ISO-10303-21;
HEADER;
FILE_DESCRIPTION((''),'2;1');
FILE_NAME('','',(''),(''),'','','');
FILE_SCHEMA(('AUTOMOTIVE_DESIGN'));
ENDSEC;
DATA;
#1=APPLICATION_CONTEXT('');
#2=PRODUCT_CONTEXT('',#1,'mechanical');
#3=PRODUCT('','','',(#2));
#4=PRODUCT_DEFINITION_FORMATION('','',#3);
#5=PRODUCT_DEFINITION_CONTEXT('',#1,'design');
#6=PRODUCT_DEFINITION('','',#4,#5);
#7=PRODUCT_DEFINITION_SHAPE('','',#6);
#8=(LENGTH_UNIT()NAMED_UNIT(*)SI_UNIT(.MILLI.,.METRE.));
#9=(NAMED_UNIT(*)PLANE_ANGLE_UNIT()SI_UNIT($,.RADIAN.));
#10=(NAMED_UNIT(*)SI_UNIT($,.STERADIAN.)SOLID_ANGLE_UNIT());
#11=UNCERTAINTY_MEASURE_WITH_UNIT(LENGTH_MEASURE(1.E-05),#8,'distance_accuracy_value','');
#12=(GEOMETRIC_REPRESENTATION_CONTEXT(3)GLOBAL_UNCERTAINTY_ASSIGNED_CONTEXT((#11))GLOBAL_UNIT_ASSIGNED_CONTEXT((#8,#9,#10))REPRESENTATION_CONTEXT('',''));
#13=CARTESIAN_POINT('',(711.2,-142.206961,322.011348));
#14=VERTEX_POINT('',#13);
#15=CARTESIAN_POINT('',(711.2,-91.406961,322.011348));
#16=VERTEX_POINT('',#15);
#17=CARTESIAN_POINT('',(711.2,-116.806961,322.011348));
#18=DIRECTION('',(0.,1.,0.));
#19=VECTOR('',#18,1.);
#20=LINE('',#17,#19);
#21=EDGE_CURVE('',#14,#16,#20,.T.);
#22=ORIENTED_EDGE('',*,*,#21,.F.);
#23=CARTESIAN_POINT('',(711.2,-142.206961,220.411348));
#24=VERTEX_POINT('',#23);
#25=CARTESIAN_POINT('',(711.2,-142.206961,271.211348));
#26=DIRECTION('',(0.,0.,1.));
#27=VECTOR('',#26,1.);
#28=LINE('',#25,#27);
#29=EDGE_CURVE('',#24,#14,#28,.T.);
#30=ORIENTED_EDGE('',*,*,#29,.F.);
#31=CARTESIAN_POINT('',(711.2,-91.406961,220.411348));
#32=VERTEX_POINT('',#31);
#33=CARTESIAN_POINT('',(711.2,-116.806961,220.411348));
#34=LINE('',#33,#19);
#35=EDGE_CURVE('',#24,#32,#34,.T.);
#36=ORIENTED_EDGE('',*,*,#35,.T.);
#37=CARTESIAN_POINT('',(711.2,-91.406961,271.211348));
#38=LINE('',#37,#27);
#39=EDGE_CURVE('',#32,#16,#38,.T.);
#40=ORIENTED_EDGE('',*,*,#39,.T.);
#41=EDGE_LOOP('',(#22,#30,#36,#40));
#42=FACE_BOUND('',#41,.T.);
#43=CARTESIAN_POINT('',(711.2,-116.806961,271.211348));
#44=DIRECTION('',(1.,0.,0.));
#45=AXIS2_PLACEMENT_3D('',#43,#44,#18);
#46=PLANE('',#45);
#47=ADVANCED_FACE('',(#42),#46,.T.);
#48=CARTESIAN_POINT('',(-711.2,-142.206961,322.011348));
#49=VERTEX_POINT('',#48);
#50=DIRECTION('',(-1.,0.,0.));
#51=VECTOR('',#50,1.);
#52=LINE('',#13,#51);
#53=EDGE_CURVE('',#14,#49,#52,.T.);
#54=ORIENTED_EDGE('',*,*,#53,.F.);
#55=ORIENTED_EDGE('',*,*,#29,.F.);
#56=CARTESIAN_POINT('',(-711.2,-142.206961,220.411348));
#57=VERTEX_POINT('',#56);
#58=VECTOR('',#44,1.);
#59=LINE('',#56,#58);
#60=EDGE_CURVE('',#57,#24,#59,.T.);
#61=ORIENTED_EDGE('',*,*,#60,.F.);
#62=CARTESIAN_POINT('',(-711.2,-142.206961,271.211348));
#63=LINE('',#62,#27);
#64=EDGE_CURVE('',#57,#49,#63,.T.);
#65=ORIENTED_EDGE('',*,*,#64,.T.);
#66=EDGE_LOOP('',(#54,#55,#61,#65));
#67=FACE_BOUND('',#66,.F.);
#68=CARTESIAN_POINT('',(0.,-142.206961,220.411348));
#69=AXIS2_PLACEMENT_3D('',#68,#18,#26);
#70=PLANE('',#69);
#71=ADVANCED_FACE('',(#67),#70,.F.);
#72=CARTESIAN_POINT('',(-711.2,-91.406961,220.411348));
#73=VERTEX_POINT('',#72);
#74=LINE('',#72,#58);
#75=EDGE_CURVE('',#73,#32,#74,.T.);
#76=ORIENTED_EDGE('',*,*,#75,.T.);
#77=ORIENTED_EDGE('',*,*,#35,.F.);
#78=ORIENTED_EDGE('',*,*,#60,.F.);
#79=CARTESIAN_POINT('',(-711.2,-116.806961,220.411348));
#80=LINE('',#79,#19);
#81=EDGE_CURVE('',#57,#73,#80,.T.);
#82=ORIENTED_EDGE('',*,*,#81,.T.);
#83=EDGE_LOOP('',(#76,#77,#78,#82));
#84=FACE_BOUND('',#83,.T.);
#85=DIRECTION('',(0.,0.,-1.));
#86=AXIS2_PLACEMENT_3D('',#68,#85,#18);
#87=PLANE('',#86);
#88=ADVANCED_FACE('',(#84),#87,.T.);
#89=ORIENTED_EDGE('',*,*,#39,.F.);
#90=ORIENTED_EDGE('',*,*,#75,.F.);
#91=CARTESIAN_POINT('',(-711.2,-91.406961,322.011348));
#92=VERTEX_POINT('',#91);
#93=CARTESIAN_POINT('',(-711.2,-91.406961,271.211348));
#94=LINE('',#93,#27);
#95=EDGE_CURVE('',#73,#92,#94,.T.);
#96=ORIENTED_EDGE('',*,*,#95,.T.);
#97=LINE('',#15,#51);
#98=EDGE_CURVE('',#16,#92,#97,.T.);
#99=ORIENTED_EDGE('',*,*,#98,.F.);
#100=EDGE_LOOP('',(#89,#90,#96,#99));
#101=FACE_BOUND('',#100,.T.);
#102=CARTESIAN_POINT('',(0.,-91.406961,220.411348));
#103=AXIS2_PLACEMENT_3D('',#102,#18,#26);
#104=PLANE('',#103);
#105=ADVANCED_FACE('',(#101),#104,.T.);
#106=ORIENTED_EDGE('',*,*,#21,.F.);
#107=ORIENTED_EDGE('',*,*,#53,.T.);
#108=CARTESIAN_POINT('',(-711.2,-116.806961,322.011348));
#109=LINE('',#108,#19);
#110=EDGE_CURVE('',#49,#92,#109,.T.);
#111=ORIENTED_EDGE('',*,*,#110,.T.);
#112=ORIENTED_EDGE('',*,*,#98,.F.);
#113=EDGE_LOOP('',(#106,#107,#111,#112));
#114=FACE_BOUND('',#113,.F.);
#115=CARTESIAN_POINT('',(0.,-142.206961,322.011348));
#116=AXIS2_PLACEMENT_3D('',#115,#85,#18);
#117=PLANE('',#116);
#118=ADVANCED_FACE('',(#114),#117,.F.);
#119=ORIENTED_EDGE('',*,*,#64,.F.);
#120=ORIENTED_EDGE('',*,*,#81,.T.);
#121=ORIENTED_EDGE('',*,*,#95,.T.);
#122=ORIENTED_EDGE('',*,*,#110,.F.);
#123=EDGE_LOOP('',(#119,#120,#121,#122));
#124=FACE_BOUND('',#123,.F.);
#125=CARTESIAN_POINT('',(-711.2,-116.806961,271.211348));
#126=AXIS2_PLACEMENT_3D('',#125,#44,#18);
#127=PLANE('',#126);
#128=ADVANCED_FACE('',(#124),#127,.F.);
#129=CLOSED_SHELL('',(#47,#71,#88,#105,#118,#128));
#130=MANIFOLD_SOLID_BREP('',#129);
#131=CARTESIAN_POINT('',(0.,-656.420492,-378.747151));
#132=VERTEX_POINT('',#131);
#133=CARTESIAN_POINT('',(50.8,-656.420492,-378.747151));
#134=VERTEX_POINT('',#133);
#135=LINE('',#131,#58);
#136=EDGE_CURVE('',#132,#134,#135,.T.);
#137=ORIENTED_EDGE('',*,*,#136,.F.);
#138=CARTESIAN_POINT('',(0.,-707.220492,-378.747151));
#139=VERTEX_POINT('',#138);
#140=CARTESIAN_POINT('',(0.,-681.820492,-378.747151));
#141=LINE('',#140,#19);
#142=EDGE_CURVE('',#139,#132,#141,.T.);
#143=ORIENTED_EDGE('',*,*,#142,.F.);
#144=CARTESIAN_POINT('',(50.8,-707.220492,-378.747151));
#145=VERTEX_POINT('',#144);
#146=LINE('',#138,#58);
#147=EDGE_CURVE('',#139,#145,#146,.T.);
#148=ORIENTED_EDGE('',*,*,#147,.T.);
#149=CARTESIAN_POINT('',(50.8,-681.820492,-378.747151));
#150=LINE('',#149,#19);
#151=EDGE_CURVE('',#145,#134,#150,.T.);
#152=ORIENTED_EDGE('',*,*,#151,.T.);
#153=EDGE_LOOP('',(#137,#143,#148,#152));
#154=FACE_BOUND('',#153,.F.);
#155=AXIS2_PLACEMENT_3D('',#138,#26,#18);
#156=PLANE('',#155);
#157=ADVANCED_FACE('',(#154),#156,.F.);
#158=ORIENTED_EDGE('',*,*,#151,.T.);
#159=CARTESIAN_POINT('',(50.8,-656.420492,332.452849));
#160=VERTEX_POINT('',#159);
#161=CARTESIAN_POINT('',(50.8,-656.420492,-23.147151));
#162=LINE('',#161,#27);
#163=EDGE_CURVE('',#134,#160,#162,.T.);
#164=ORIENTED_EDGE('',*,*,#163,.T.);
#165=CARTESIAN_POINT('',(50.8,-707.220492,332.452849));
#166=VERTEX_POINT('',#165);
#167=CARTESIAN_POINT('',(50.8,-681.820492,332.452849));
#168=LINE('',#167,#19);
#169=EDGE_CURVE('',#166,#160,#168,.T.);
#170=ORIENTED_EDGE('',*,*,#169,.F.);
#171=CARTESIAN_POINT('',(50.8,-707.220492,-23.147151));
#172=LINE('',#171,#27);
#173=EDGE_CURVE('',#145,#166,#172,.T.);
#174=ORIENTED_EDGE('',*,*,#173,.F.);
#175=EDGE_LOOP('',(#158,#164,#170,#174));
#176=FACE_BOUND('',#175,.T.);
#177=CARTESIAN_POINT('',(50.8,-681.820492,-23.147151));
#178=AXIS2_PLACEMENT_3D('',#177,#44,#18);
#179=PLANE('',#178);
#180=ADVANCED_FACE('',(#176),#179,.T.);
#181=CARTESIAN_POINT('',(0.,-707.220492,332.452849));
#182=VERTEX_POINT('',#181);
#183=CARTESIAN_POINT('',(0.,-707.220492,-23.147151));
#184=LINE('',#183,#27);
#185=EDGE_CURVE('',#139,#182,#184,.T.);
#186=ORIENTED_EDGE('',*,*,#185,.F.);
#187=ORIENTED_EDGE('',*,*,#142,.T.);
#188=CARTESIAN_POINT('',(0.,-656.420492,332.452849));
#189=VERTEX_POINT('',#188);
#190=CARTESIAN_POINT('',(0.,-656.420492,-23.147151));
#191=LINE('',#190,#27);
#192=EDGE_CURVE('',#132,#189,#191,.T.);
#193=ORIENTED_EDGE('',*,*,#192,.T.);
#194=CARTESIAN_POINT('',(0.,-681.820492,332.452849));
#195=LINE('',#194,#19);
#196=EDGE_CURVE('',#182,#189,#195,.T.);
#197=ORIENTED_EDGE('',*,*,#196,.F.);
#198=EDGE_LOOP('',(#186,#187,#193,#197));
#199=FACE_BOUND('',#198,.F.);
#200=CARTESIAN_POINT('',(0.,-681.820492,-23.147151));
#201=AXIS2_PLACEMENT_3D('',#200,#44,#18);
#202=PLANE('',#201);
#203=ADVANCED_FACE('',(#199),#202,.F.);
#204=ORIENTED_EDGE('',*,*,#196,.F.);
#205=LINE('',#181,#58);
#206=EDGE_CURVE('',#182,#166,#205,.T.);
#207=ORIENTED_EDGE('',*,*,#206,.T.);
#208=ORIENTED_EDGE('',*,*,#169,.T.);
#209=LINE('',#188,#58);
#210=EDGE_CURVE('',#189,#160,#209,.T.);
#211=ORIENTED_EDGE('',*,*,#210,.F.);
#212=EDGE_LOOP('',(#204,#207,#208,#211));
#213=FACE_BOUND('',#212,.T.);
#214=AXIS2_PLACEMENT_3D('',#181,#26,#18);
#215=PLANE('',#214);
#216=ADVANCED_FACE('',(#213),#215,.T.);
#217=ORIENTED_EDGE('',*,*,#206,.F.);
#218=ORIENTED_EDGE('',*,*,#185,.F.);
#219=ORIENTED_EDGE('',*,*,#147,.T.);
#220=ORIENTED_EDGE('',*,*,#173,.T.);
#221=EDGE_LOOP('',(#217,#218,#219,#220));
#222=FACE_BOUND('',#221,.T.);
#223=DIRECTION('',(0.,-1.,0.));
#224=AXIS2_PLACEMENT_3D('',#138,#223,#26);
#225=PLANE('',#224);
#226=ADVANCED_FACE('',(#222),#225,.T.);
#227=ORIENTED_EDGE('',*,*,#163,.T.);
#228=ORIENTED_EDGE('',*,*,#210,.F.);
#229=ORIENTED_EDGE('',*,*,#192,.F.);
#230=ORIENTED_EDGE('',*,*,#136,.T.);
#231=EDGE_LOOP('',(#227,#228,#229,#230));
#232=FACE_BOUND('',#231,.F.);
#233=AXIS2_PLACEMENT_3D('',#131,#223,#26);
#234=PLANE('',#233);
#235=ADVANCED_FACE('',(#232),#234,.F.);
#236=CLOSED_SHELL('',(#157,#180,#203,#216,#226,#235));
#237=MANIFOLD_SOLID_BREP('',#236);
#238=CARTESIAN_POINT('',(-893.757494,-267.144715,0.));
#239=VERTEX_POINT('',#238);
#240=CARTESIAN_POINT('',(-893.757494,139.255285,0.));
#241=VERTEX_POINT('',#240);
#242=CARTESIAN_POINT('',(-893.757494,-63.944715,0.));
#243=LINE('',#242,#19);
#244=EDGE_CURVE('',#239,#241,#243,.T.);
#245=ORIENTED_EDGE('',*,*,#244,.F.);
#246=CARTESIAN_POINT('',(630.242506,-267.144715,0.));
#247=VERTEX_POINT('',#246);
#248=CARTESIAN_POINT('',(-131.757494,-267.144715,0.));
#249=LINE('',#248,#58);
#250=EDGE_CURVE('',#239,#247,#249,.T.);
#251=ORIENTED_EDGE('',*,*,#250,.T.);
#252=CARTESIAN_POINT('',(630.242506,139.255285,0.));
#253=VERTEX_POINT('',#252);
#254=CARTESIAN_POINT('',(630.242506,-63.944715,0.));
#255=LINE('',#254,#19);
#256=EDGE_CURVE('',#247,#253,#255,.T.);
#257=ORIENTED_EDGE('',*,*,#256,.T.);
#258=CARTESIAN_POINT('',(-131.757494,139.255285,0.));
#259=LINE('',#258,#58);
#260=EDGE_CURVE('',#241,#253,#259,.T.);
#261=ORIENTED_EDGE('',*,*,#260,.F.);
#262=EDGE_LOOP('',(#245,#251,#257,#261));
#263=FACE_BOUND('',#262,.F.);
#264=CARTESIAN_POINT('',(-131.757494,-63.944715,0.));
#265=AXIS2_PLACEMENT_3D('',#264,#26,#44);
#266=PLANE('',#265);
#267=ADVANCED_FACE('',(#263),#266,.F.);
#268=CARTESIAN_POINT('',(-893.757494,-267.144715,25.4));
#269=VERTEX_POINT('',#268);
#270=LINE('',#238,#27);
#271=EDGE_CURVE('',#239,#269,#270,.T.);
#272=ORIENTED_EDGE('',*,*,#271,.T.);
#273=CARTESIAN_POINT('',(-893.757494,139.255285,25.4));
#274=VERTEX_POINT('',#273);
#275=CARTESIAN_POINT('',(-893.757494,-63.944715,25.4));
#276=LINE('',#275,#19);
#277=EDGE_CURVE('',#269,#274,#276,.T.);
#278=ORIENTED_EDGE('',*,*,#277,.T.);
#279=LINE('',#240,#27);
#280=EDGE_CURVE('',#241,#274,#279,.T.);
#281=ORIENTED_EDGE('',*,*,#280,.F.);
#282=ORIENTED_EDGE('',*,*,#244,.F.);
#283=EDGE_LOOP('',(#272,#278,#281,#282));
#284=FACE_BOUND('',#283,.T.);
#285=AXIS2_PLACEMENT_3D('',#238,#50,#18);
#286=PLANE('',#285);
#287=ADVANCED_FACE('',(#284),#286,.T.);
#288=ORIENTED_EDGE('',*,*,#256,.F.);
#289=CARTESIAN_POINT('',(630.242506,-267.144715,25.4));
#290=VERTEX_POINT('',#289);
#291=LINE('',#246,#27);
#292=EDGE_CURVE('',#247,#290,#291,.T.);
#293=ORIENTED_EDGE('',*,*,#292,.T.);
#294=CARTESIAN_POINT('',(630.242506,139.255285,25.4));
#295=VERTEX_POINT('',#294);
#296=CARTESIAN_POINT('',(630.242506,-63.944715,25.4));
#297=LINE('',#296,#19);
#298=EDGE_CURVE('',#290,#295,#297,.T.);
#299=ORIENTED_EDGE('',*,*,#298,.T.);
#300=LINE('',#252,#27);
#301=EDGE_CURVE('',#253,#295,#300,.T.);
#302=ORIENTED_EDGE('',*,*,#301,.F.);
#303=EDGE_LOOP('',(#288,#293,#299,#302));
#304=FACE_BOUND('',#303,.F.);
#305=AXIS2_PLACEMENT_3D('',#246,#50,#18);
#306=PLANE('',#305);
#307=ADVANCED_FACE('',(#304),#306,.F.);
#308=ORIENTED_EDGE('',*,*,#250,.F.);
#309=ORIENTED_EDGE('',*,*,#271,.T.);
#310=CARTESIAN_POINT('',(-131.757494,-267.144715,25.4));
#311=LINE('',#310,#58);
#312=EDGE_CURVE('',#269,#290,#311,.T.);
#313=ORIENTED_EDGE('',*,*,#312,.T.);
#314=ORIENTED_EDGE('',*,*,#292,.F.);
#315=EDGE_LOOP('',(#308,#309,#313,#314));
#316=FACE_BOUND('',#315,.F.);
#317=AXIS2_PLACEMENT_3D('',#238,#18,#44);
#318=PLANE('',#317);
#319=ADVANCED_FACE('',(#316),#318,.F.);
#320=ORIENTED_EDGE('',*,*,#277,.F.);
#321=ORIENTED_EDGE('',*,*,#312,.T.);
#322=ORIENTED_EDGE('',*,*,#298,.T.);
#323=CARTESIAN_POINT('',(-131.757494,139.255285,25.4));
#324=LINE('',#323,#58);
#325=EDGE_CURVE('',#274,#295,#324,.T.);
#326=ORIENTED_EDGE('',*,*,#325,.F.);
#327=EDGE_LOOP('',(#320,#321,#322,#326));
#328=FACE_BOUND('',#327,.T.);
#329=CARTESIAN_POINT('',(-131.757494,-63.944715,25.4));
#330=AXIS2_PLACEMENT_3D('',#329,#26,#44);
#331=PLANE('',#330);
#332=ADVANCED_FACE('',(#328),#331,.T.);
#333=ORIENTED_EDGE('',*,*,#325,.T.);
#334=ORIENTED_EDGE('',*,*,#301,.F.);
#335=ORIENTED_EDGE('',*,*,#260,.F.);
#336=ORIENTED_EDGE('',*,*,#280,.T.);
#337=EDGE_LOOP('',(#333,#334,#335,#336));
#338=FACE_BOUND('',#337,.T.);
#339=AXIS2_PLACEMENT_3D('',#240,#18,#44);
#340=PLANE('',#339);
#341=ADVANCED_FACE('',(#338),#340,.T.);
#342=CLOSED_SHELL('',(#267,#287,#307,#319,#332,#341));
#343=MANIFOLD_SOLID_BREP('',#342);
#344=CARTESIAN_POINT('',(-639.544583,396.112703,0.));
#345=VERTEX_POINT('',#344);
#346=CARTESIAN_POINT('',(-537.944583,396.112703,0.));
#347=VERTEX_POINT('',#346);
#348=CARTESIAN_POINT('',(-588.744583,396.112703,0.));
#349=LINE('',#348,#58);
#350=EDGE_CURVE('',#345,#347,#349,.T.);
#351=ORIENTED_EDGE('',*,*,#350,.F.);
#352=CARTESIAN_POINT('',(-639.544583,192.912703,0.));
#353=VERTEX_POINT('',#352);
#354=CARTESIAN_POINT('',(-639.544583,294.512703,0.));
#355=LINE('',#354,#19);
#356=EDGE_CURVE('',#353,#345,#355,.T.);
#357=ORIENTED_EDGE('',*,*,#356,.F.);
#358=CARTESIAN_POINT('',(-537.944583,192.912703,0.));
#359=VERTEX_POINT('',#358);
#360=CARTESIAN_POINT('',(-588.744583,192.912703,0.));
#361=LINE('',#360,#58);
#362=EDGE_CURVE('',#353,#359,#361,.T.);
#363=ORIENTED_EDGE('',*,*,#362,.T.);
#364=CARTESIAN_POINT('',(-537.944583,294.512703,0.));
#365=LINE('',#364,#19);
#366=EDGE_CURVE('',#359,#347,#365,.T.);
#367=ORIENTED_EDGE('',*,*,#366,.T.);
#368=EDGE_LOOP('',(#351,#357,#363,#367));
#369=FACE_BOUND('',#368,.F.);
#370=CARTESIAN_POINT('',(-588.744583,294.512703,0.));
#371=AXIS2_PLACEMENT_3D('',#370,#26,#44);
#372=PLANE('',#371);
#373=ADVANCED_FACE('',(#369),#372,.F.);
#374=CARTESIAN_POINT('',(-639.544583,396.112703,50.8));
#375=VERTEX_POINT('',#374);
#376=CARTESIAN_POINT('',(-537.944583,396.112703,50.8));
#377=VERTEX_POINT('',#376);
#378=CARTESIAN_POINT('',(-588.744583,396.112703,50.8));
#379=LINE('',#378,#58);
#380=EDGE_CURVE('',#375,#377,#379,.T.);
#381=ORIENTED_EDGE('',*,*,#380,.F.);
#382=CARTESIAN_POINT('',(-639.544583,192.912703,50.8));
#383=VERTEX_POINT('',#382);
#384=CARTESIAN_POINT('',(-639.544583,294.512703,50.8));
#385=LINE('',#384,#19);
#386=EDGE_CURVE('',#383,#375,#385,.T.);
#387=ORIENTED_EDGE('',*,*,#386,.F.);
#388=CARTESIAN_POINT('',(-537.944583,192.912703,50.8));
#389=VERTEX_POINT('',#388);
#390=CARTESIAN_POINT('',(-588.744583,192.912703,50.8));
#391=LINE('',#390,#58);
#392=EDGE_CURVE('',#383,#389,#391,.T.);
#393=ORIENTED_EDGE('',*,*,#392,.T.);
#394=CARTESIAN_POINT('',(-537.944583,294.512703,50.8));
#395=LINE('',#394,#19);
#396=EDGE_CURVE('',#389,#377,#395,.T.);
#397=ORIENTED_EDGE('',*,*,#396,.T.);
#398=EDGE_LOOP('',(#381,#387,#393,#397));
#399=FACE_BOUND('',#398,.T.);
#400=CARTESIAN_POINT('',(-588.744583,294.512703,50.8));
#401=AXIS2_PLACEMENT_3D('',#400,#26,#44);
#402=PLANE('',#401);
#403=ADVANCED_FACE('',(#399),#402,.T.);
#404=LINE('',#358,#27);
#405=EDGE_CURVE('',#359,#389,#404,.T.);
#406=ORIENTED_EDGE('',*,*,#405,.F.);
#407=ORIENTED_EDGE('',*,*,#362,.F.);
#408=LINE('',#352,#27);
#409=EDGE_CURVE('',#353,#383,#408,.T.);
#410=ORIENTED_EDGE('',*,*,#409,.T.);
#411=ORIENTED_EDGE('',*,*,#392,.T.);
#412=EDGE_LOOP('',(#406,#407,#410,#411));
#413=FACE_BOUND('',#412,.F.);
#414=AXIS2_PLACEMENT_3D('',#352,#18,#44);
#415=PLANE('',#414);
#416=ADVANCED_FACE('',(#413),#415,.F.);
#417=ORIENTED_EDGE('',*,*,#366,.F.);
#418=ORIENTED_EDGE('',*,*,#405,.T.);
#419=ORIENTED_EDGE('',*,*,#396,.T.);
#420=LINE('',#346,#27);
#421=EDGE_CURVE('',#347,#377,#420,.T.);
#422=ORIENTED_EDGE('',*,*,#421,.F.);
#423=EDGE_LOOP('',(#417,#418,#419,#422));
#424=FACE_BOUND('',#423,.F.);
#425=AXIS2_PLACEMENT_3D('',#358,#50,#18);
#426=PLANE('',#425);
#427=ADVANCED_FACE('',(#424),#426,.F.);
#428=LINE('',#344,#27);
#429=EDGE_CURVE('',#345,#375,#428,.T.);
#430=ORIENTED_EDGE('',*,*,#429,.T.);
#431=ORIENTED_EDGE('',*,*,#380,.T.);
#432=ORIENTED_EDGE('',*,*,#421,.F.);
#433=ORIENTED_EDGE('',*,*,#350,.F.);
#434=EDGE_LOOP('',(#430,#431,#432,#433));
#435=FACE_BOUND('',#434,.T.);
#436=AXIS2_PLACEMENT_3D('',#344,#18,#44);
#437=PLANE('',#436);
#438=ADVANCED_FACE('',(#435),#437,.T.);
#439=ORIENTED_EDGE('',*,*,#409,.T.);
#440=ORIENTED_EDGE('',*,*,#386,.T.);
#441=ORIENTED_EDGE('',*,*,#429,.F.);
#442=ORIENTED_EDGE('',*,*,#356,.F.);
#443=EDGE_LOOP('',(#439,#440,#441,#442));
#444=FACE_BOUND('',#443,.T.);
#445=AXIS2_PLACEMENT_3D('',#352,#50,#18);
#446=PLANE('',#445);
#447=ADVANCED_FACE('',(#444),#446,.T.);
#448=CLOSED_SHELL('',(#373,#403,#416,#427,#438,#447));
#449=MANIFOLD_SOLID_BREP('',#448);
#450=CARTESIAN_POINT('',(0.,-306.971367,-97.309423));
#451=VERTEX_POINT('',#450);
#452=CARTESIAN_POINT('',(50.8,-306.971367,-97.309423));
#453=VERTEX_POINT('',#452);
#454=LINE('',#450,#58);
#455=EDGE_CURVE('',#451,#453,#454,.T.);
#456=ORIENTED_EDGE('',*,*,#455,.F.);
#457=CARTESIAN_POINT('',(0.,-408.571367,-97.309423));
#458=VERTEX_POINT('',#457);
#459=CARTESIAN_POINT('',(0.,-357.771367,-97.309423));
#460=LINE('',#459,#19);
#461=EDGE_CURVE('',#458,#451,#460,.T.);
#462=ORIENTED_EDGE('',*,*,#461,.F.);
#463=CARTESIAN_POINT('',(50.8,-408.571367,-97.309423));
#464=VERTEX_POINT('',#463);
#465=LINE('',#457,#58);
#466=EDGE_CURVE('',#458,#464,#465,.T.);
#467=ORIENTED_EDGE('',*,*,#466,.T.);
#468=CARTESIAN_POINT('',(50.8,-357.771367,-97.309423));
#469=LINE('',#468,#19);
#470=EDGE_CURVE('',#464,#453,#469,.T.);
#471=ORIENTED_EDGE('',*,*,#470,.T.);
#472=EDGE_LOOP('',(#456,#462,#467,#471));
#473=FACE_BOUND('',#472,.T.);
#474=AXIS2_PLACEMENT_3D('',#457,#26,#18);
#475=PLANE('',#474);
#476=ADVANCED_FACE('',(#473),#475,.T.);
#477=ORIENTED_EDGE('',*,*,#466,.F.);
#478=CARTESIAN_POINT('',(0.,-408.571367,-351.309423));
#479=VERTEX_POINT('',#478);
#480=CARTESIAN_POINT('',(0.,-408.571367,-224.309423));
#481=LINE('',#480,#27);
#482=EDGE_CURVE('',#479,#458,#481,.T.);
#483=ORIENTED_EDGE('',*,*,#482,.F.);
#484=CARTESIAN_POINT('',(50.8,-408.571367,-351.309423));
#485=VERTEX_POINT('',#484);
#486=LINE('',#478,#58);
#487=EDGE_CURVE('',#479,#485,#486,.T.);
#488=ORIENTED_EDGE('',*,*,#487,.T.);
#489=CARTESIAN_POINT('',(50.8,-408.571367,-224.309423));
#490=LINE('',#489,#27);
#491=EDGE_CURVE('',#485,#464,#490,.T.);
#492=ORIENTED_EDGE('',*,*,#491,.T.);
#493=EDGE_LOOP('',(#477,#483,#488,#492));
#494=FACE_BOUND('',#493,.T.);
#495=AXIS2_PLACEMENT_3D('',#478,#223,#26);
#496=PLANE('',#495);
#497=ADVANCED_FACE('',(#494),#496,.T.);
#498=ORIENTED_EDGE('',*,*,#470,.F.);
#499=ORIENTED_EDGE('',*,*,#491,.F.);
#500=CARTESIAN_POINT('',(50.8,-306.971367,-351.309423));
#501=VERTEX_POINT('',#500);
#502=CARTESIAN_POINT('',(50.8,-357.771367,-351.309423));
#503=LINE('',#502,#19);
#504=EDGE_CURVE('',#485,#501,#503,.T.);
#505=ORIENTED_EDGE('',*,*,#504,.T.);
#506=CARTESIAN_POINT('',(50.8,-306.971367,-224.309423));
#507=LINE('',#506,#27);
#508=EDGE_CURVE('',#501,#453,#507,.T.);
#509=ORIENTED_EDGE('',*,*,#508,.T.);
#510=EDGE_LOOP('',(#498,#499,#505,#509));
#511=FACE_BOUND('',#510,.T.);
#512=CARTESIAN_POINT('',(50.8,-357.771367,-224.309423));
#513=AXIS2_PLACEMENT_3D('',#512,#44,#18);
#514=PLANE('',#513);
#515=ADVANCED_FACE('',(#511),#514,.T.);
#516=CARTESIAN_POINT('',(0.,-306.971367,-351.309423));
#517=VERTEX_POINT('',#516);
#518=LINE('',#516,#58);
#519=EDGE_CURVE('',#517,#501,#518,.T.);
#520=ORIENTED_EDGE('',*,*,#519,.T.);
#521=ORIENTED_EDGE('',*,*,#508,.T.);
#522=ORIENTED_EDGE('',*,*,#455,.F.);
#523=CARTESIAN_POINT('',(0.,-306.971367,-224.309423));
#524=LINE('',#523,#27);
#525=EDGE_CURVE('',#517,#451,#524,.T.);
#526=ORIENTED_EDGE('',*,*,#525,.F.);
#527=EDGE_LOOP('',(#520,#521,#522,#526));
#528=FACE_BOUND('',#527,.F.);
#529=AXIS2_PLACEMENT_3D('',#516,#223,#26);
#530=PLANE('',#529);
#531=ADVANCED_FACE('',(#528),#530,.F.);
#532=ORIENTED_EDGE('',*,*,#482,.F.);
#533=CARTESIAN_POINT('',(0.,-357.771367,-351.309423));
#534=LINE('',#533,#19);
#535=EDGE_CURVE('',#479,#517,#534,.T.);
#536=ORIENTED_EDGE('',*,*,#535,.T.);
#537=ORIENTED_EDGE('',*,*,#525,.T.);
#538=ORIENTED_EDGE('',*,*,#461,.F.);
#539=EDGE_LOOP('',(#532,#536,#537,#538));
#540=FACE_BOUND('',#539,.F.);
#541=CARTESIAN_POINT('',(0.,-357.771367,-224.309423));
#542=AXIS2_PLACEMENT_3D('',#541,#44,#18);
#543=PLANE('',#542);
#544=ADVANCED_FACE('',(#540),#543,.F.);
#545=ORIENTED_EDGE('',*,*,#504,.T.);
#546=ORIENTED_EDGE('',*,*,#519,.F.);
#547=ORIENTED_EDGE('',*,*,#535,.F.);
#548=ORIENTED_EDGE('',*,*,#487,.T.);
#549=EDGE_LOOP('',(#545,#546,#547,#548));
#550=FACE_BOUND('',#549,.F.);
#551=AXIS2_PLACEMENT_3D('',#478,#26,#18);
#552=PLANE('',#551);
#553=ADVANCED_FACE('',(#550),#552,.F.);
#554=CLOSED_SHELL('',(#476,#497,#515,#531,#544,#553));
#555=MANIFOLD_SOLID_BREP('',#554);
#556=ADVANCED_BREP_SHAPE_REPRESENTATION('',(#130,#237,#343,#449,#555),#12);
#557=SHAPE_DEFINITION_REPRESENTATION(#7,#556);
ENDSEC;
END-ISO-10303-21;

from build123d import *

# Parameters (mm, degrees)
F0_W     = 1524
F0_H     = 406.4
F1_DEPTH = 25.4
F2_W     = 101.6
F2_H     = 203.2
F3_DEPTH = 50.8
F4_W     = 50.8
F4_H     = 711.2
F4_W_2   = 101.6
F4_H_2   = 254
F5_DEPTH = 50.8
F6_W     = 50.8
F6_H     = 101.6
F7_DEPTH = 711.2


with BuildPart() as f1:
    # F0 (on Top) → F1 (new body)
    with BuildSketch(Plane.XY):
        with Locations((-131.757494, -63.944715)):
            Rectangle(F0_W, F0_H)
    extrude(amount=F1_DEPTH)


with BuildPart() as f3:
    # F2 (on Top) → F3 (new body)
    with BuildSketch(Plane.XY):
        with Locations((-588.744583, 294.512703)):
            Rectangle(F2_W, F2_H)
    extrude(amount=F3_DEPTH)


with BuildPart() as f5:
    # F4 (on Right) → F5 (new body)
    with BuildSketch(Plane.YZ):
        with Locations((-681.820492, -23.147151)):
            Rectangle(F4_W, F4_H)
        with Locations((-357.771367, -224.309423)):
            Rectangle(F4_W_2, F4_H_2)
    extrude(amount=F5_DEPTH)


with BuildPart() as f7:
    # F6 (on Right) → F7 (new body, symmetric)
    with BuildSketch(Plane.YZ):
        with Locations((-116.806961, 271.211348)):
            Rectangle(F6_W, F6_H)
    extrude(amount=F7_DEPTH, both=True)


solid = Compound([f1.part, f3.part, f5.part, f7.part])
